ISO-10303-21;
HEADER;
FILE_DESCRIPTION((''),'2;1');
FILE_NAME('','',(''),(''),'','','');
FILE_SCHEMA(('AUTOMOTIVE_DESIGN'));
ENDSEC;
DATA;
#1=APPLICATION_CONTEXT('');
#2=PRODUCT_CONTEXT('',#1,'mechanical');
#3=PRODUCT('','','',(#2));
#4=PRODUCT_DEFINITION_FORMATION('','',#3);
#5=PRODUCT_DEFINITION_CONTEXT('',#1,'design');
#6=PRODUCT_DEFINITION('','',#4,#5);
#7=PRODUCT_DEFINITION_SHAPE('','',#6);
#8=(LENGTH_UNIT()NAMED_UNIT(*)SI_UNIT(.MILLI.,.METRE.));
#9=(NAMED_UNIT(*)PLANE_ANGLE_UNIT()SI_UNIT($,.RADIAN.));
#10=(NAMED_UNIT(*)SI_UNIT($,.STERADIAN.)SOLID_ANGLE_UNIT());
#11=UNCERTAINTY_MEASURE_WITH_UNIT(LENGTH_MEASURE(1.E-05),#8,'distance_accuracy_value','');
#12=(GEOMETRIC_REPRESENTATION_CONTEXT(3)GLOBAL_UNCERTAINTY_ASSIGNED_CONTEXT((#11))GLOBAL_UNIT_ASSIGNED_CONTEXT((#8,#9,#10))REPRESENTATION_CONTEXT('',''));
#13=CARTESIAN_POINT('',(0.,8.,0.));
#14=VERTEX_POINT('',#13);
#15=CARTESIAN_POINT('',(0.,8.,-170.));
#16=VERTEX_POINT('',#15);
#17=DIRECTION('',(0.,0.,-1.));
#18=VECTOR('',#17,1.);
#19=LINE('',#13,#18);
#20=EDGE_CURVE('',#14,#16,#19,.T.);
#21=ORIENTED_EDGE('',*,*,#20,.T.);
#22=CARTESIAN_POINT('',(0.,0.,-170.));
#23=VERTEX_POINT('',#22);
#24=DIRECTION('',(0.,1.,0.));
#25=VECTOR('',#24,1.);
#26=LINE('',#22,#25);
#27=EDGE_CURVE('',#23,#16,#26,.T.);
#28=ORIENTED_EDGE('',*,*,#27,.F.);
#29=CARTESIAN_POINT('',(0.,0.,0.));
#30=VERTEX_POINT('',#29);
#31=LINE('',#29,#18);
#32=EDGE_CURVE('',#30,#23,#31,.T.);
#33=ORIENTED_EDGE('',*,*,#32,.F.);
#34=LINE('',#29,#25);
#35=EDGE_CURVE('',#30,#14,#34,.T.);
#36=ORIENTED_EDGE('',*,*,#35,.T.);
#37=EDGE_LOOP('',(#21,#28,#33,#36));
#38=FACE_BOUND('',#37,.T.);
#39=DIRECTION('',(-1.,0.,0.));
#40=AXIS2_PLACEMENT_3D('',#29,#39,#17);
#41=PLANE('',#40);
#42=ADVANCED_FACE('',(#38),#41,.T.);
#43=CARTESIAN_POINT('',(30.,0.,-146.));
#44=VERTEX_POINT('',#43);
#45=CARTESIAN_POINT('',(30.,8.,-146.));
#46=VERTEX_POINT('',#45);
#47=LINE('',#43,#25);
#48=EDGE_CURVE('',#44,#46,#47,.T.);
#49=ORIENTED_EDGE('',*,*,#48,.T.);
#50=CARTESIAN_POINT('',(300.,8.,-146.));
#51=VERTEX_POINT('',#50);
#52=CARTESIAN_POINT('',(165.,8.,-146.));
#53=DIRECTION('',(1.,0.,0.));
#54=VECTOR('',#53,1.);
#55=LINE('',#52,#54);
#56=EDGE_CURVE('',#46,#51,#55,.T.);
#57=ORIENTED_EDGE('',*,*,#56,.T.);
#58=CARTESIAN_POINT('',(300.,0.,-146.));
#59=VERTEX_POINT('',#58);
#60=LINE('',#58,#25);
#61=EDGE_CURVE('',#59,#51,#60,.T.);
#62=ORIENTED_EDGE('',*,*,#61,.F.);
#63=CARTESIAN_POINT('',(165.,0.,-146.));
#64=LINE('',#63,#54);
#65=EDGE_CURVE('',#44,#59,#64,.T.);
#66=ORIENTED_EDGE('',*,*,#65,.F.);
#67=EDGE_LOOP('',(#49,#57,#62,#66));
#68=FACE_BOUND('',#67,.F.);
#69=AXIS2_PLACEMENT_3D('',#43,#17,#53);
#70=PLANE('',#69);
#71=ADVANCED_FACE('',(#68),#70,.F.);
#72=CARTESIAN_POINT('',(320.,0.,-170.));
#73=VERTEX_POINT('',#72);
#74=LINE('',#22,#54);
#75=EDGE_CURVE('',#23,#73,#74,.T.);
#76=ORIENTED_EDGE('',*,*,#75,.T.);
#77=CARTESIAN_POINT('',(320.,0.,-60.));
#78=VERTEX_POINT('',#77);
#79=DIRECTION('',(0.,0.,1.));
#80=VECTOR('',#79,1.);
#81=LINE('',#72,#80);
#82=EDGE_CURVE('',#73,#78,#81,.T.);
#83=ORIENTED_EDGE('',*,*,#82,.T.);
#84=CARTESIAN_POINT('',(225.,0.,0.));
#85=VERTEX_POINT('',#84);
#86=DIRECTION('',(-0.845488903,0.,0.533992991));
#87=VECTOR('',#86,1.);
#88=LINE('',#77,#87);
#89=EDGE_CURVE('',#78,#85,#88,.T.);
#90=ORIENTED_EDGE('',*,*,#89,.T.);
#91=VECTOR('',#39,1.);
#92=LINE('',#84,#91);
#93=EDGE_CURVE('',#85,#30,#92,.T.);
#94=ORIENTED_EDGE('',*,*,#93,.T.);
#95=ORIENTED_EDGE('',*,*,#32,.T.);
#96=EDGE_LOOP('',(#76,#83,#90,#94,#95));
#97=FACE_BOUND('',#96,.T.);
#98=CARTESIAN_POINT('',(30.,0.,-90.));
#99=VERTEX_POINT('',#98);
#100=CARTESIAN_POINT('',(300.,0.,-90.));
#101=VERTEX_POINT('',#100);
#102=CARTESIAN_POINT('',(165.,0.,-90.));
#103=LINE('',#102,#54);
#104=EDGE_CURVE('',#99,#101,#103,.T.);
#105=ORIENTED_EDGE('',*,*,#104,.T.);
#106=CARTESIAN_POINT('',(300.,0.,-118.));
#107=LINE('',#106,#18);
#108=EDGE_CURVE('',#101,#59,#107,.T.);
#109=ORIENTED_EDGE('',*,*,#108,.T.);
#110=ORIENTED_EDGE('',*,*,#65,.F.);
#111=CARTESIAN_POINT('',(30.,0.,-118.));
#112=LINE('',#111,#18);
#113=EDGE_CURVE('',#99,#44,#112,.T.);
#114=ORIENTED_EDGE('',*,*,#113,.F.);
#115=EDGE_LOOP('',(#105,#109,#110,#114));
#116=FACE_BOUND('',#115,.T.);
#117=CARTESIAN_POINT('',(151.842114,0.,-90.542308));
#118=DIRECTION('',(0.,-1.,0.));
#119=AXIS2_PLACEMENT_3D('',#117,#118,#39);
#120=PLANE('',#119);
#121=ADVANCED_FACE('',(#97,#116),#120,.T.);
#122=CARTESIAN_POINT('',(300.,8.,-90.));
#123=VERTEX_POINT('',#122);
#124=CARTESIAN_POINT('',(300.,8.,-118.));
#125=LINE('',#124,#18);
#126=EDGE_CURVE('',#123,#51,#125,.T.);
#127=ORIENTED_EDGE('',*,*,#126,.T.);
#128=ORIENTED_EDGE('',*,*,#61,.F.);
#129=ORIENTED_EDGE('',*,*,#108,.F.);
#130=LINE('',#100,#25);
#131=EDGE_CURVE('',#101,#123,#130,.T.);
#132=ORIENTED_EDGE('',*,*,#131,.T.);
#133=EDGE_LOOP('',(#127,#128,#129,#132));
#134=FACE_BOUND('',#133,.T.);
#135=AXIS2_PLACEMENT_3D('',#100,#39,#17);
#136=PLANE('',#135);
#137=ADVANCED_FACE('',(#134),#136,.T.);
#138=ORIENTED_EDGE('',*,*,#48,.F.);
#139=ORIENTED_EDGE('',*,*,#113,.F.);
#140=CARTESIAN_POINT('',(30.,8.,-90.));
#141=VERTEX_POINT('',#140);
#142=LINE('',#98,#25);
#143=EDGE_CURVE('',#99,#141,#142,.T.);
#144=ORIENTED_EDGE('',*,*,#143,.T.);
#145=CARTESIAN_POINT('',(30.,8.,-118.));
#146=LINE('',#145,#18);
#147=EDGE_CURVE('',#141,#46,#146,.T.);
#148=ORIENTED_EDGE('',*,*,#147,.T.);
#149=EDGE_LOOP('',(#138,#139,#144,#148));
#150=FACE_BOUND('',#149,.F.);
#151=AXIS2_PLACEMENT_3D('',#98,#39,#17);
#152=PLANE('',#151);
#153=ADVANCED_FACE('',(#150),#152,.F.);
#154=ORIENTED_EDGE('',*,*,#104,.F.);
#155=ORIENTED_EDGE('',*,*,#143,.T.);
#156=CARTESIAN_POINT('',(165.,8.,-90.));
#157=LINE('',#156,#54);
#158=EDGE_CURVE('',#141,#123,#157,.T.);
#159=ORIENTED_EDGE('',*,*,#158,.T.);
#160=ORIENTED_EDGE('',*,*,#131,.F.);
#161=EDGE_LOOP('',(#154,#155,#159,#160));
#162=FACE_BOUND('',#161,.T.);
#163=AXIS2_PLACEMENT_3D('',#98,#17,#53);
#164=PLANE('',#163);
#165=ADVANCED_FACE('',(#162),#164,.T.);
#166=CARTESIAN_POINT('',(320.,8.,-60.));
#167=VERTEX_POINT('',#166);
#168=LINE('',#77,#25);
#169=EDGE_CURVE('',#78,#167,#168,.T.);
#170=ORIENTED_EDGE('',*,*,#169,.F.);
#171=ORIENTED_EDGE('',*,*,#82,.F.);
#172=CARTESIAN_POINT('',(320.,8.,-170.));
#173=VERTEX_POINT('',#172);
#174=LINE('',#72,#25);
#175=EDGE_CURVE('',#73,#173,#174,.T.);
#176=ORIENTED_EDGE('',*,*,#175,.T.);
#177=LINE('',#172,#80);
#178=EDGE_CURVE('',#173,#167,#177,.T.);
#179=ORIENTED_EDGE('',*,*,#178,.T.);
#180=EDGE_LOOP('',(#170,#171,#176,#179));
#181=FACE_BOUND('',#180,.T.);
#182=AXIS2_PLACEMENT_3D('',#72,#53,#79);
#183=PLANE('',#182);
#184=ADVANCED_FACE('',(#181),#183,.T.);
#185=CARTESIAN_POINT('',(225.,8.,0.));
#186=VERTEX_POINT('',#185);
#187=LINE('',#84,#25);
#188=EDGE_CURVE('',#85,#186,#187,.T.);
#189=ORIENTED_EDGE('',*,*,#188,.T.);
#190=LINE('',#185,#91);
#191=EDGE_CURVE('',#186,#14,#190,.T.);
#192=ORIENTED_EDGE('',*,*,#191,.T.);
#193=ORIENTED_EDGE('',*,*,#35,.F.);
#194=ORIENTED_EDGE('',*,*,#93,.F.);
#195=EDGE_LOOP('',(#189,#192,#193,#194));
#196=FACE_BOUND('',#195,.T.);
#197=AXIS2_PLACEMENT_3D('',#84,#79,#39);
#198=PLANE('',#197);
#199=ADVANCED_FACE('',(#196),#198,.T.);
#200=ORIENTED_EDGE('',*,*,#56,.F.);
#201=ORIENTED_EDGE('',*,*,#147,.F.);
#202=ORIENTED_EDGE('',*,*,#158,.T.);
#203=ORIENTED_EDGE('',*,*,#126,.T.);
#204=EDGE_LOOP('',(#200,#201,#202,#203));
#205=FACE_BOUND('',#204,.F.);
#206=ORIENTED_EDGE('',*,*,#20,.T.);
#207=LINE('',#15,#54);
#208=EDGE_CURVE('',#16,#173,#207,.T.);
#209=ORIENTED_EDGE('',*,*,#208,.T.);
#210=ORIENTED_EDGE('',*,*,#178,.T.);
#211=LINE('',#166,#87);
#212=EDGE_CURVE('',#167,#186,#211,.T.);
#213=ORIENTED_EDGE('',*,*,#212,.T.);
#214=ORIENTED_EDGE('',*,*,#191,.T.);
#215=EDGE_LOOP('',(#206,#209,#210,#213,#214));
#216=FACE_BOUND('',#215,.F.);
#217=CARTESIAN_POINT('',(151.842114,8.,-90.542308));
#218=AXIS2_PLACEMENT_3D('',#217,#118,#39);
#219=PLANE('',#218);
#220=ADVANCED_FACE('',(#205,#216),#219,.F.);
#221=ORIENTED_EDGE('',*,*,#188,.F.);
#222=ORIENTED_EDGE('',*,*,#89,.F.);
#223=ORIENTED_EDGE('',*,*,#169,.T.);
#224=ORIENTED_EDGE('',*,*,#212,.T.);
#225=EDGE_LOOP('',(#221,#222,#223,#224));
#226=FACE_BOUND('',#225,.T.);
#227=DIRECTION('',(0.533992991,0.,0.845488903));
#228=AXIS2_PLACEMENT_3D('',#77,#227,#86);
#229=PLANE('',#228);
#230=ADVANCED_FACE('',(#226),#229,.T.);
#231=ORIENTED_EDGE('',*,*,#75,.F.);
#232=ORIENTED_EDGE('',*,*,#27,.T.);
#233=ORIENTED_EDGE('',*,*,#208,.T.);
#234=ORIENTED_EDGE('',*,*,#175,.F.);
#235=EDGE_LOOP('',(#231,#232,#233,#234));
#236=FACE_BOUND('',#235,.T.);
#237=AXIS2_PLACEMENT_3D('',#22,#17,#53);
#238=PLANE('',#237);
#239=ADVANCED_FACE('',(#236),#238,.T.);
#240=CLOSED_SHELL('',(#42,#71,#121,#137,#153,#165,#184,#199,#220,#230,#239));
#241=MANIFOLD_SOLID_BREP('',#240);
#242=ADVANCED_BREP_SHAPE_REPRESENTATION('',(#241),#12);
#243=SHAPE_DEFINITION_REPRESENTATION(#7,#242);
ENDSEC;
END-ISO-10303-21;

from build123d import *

# Parameters (mm, degrees)
SKETCH_1_W      = 270
SKETCH_1_H      = 56
EXTRUDE_1_DEPTH = 8


with BuildPart() as part:
    # Эскиз1 → Бобышка-Вытянуть1 (new body)
    with BuildSketch(Plane(origin=(0, 0, 0), x_dir=(1, 0, 0), z_dir=(0, 1, 0))):
        Polygon((320, 170), (320, 60), (225, 0), (0, 0), (0, 170), align=None)
        with Locations((165, 118)):
            Rectangle(SKETCH_1_W, SKETCH_1_H, mode=Mode.SUBTRACT)
    extrude(amount=EXTRUDE_1_DEPTH)


solid = part.part
